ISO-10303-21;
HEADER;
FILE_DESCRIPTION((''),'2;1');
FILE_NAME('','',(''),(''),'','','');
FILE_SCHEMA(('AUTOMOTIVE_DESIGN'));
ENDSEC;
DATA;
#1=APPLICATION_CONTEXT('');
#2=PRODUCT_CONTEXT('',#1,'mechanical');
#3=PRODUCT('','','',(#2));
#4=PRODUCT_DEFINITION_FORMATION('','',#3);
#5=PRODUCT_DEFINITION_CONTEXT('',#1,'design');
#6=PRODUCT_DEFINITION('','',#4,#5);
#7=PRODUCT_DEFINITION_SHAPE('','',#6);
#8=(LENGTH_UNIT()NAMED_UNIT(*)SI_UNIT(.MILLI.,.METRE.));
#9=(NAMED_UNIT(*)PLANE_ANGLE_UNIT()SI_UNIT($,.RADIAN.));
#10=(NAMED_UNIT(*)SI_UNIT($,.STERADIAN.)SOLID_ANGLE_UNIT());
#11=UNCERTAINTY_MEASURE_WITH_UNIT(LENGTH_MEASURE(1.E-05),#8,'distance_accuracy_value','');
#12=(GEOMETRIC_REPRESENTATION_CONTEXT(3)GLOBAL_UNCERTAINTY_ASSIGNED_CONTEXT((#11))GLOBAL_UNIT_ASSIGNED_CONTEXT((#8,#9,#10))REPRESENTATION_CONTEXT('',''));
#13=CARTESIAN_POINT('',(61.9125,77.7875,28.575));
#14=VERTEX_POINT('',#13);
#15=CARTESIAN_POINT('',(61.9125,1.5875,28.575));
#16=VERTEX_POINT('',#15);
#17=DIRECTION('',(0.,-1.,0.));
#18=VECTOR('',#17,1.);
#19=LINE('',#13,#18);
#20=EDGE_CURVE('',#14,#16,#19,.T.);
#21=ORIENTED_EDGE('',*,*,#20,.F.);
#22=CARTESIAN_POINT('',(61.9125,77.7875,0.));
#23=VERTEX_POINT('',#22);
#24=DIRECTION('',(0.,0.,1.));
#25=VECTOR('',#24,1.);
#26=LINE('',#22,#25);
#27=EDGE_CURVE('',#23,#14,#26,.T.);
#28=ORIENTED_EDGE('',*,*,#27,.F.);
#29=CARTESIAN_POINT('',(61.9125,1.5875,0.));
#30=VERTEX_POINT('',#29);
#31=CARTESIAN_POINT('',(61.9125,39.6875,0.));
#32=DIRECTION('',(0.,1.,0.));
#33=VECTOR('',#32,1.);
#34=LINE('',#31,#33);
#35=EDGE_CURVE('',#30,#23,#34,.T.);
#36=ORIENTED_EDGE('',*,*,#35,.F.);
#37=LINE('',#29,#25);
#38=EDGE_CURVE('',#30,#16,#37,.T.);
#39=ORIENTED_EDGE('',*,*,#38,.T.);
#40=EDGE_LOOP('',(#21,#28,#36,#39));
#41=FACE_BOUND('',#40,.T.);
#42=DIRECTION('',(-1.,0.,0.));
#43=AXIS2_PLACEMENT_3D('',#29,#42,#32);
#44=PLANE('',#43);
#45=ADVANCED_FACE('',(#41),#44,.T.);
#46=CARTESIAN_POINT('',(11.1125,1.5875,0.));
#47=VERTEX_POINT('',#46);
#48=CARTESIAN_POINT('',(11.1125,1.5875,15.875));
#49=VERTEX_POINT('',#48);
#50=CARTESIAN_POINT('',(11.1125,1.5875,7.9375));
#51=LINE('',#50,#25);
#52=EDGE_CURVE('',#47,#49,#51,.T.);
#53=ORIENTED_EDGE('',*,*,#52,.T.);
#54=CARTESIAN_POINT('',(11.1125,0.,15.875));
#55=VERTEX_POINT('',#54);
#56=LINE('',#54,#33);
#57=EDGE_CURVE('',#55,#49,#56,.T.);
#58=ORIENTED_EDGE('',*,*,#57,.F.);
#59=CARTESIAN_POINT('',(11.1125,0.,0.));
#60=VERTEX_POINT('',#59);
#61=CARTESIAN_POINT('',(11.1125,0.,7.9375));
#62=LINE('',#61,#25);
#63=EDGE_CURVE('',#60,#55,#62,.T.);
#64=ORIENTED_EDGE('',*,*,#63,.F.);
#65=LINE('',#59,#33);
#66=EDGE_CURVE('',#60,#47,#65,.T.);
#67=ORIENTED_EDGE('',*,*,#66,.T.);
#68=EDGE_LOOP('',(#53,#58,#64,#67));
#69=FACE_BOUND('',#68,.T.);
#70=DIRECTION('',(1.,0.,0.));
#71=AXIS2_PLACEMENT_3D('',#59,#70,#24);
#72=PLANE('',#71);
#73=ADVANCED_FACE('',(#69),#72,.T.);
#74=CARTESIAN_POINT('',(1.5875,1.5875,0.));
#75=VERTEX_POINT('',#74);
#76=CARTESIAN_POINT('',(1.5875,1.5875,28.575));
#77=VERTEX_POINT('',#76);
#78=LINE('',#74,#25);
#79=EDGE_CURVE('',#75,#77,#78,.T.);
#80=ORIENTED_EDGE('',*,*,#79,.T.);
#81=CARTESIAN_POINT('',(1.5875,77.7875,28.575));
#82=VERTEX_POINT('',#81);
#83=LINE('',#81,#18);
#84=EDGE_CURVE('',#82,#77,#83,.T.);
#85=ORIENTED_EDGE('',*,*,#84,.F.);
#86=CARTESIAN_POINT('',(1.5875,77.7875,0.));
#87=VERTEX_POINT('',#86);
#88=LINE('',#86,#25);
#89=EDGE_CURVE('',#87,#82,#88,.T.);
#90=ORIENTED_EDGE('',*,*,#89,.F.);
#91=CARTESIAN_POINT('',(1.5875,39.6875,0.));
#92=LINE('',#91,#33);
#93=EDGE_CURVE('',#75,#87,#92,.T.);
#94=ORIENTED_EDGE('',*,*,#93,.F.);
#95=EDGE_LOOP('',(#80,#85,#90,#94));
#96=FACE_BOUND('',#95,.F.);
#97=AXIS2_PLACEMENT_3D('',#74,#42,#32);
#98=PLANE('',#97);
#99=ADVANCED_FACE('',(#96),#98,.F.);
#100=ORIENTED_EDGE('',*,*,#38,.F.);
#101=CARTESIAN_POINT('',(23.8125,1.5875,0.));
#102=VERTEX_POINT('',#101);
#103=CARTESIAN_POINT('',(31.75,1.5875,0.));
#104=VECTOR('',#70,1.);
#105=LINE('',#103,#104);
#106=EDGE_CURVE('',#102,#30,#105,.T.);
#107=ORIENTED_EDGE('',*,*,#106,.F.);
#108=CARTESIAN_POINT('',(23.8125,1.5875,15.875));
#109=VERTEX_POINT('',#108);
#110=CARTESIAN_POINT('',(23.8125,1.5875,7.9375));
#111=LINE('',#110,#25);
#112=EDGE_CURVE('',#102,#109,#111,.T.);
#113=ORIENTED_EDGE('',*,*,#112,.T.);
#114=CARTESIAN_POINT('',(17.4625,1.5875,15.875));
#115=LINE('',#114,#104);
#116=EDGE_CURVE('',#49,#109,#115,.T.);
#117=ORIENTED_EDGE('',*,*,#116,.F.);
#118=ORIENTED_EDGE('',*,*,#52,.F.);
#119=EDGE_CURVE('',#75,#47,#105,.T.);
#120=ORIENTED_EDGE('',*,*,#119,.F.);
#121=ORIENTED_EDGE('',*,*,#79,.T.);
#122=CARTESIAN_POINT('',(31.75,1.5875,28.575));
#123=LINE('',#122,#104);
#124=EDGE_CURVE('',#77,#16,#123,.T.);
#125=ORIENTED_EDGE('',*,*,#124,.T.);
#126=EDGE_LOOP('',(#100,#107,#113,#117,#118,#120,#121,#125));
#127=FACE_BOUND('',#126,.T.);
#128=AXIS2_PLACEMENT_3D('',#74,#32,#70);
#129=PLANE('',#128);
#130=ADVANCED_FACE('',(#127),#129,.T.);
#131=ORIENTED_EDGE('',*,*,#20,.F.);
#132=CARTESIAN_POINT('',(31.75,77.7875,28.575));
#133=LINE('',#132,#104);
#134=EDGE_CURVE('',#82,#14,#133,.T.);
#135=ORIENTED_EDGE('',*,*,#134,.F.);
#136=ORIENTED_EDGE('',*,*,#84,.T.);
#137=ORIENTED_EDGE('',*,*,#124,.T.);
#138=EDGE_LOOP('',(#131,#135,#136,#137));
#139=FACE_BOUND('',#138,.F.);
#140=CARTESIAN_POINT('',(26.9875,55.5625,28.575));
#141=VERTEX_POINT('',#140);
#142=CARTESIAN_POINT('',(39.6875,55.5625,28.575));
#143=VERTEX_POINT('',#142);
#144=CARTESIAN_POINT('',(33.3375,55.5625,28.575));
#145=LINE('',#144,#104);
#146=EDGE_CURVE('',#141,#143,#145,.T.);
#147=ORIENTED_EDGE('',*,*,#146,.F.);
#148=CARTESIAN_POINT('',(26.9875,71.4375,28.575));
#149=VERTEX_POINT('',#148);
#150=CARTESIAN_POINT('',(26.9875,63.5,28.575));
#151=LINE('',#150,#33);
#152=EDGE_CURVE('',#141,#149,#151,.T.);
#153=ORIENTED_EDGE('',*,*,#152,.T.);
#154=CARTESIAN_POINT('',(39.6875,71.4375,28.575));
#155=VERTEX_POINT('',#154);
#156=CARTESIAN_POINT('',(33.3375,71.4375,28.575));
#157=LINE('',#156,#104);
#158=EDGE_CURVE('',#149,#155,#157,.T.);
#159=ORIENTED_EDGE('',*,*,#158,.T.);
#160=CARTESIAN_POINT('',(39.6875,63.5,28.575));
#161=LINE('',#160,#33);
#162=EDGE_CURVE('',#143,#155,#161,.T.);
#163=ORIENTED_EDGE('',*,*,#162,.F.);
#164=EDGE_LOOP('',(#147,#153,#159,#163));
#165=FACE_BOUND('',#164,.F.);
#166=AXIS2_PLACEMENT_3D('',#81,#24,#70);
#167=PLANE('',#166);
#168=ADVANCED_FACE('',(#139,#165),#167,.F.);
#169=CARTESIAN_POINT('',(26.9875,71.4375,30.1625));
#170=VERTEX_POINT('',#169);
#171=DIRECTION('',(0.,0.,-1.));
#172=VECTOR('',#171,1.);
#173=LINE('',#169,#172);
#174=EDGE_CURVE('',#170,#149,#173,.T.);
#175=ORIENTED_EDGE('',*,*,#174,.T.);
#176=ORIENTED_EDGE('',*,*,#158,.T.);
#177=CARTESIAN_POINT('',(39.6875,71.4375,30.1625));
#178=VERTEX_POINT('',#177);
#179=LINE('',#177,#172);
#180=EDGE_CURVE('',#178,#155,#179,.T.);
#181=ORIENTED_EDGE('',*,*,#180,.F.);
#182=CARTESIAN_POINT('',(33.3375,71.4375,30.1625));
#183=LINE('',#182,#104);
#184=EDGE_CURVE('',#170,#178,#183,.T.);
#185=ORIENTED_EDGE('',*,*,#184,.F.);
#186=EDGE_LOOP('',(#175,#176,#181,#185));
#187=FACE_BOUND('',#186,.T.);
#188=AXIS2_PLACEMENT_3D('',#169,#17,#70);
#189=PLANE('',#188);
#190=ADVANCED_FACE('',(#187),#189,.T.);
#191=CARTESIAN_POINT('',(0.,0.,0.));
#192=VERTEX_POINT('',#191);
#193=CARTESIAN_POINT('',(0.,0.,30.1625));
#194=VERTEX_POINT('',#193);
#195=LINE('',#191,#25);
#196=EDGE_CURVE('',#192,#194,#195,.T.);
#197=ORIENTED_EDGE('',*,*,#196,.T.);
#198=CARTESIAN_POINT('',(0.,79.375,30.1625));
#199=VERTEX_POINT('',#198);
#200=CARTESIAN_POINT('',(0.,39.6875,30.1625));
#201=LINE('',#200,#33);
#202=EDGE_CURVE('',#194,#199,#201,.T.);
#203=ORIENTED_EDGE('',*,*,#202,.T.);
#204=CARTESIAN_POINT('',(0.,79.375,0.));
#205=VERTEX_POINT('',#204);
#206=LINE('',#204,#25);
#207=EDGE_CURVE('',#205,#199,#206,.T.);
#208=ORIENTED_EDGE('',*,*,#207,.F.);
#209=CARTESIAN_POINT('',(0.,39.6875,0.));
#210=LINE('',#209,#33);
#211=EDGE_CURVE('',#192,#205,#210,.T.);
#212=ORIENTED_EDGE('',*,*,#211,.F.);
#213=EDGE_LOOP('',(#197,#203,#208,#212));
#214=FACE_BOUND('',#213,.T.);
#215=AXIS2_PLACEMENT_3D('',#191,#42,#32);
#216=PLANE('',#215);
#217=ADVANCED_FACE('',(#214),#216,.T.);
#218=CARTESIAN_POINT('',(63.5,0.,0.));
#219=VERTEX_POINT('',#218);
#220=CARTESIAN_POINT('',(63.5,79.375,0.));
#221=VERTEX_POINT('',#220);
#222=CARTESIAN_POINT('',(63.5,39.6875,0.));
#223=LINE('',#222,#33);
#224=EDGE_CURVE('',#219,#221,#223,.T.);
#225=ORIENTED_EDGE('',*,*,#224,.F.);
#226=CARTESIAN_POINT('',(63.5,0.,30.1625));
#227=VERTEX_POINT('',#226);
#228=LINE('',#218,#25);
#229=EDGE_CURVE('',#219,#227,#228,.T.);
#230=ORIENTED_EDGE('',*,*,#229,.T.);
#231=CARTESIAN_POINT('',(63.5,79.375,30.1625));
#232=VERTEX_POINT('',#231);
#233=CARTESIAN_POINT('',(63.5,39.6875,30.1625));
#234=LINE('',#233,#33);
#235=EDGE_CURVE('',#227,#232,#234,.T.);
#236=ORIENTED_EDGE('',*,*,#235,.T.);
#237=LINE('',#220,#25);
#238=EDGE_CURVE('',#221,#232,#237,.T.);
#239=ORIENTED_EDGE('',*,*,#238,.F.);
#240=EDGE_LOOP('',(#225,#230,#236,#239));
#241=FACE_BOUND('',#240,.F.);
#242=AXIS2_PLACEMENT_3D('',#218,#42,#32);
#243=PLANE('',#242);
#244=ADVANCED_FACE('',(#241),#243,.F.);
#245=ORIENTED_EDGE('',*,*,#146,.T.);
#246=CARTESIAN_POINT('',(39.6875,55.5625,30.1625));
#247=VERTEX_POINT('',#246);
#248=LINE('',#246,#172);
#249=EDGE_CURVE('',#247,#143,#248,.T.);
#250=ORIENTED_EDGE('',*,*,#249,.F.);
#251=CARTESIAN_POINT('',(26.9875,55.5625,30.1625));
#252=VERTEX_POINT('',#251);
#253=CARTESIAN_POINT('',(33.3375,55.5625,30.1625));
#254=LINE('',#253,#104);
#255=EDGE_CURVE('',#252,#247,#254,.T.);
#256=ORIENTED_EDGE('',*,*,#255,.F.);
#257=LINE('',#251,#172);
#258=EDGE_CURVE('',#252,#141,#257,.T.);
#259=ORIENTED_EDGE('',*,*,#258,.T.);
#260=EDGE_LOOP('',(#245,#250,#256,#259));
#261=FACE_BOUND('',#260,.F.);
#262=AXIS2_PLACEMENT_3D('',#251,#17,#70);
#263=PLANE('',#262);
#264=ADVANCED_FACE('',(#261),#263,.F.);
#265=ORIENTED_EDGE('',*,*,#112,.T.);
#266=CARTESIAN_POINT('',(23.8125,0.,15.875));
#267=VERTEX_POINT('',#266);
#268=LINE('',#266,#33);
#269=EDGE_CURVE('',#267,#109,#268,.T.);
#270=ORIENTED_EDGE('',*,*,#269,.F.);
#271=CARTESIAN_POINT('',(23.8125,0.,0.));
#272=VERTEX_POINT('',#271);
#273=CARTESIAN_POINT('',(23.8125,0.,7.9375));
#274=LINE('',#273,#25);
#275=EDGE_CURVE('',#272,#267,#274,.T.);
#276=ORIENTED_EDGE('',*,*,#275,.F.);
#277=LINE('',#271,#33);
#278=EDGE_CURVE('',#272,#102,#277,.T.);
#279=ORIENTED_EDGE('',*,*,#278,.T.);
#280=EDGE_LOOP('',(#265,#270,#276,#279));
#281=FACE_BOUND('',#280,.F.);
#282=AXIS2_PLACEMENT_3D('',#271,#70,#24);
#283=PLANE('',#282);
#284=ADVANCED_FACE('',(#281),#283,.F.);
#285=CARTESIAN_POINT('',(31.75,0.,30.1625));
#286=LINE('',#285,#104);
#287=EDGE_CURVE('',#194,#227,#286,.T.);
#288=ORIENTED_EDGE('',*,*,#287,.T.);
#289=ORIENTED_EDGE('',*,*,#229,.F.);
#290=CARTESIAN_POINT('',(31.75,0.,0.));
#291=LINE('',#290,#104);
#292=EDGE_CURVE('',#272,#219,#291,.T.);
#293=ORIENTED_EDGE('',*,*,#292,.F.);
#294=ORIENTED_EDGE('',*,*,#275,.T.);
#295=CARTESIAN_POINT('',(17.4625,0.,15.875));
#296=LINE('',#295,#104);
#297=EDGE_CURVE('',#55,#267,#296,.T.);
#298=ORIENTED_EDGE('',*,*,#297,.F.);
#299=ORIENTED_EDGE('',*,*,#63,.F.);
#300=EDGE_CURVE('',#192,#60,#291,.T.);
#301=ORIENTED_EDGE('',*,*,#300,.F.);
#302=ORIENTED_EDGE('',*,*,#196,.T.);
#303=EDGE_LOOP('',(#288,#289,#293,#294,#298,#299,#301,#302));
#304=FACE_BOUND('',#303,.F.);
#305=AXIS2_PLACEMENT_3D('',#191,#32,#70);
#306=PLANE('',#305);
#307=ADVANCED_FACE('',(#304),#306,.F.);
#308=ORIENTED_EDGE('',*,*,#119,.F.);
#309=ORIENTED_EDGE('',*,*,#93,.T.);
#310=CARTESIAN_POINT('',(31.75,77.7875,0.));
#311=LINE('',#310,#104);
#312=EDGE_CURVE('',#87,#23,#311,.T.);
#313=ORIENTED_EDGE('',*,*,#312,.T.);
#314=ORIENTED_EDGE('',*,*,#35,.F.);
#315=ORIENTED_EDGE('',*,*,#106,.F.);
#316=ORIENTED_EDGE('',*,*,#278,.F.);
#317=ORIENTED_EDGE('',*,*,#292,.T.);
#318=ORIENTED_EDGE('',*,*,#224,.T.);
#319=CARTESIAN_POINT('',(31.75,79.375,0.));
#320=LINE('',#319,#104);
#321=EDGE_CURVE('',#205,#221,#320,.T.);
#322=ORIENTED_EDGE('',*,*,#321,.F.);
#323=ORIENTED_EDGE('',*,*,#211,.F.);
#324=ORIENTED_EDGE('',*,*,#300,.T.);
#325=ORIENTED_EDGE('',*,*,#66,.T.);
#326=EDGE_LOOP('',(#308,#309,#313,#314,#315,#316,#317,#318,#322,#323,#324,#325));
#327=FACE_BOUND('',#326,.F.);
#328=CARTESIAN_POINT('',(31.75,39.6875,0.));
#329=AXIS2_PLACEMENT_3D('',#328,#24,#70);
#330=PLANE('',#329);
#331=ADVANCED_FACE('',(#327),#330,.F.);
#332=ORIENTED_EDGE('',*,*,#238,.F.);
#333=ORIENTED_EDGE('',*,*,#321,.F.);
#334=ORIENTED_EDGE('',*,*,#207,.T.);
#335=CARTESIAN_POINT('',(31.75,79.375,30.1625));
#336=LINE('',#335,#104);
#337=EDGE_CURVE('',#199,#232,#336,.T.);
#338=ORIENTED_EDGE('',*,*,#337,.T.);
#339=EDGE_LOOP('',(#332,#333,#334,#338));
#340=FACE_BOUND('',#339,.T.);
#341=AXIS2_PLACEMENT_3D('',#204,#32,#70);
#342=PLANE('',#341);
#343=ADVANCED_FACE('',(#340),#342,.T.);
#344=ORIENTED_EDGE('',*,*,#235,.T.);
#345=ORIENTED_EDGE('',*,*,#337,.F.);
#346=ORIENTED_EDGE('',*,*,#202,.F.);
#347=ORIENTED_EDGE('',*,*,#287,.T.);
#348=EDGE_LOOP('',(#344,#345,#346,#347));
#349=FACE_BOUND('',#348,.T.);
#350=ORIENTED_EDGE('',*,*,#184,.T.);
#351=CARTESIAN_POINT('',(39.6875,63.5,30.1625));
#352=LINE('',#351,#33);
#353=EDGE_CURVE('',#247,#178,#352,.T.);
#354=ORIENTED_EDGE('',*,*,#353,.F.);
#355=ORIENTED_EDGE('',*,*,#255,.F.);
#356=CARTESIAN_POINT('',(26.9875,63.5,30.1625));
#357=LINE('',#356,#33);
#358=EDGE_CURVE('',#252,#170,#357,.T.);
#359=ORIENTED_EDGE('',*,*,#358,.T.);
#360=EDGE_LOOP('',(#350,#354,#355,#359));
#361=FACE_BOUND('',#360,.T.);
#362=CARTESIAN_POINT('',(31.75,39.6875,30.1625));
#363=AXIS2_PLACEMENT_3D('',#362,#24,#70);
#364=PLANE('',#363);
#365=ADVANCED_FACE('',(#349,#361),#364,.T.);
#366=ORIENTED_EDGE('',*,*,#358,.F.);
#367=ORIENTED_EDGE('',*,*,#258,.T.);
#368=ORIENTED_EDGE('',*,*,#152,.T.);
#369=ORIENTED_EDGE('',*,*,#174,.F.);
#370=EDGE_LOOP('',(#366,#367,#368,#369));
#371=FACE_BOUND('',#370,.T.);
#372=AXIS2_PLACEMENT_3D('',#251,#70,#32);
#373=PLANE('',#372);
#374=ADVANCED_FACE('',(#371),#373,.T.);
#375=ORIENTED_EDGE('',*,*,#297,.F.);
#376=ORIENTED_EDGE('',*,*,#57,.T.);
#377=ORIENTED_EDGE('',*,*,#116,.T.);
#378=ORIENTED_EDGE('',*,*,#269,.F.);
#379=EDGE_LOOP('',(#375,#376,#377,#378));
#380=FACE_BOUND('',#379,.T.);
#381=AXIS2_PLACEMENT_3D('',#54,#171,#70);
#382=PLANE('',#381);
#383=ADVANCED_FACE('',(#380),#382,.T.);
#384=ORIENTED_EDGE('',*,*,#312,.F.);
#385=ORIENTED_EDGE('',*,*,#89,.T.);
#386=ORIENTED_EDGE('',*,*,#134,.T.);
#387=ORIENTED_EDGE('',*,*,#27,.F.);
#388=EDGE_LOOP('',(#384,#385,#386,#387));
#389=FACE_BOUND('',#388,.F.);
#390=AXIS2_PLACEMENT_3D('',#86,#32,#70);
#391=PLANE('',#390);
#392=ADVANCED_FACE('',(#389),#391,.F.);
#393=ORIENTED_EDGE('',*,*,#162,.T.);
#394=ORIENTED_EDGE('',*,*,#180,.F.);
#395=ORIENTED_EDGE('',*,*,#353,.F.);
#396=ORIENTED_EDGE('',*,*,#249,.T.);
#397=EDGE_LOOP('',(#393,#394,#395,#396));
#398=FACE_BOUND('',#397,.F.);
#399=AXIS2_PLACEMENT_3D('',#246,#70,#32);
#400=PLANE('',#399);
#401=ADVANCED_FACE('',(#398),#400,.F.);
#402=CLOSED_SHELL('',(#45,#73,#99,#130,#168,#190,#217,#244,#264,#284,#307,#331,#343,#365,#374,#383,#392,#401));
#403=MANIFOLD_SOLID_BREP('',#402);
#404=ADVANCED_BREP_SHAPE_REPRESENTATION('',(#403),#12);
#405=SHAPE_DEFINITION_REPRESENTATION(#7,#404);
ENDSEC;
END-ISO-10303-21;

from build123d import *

# Parameters (mm, degrees)
F0_W     = 63.5
F0_H     = 79.375
F0_W_2   = 60.325
F0_H_2   = 76.2
F1_DEPTH = 30.1625
F2_W     = 60.325
F2_H     = 1.5875
F3_DEPTH = 76.2
F4_W     = 12.7
F4_H     = 15.875
F5_DEPTH = 1.5875
F6_W     = 12.7
F6_H     = 15.875
F7_DEPTH = 1.5875


with BuildPart() as f1:
    # F0 (on Top) → F1 (new body)
    with BuildSketch(Plane.XY):
        with Locations((31.75, 39.6875)):
            Rectangle(F0_W, F0_H)
        with Locations((31.75, 39.6875)):
            Rectangle(F0_W_2, F0_H_2, mode=Mode.SUBTRACT)
    extrude(amount=F1_DEPTH)

    # F2 (on face) → F3 (join)
    with BuildSketch(Plane.XZ.offset(-77.7875)):
        with Locations((31.75, 29.36875)):
            Rectangle(F2_W, F2_H)
    extrude(amount=F3_DEPTH)

    # F4 (on face) → F5 (cut)
    with BuildSketch(Plane.XY.offset(30.1625)):
        with Locations((33.3375, 63.5)):
            Rectangle(F4_W, F4_H)
    extrude(amount=-F5_DEPTH, mode=Mode.SUBTRACT)

    # F6 (on face) → F7 (cut)
    with BuildSketch(Plane.XZ):
        with Locations((17.4625, 7.9375)):
            Rectangle(F6_W, F6_H)
    extrude(amount=-F7_DEPTH, mode=Mode.SUBTRACT)


solid = f1.part
